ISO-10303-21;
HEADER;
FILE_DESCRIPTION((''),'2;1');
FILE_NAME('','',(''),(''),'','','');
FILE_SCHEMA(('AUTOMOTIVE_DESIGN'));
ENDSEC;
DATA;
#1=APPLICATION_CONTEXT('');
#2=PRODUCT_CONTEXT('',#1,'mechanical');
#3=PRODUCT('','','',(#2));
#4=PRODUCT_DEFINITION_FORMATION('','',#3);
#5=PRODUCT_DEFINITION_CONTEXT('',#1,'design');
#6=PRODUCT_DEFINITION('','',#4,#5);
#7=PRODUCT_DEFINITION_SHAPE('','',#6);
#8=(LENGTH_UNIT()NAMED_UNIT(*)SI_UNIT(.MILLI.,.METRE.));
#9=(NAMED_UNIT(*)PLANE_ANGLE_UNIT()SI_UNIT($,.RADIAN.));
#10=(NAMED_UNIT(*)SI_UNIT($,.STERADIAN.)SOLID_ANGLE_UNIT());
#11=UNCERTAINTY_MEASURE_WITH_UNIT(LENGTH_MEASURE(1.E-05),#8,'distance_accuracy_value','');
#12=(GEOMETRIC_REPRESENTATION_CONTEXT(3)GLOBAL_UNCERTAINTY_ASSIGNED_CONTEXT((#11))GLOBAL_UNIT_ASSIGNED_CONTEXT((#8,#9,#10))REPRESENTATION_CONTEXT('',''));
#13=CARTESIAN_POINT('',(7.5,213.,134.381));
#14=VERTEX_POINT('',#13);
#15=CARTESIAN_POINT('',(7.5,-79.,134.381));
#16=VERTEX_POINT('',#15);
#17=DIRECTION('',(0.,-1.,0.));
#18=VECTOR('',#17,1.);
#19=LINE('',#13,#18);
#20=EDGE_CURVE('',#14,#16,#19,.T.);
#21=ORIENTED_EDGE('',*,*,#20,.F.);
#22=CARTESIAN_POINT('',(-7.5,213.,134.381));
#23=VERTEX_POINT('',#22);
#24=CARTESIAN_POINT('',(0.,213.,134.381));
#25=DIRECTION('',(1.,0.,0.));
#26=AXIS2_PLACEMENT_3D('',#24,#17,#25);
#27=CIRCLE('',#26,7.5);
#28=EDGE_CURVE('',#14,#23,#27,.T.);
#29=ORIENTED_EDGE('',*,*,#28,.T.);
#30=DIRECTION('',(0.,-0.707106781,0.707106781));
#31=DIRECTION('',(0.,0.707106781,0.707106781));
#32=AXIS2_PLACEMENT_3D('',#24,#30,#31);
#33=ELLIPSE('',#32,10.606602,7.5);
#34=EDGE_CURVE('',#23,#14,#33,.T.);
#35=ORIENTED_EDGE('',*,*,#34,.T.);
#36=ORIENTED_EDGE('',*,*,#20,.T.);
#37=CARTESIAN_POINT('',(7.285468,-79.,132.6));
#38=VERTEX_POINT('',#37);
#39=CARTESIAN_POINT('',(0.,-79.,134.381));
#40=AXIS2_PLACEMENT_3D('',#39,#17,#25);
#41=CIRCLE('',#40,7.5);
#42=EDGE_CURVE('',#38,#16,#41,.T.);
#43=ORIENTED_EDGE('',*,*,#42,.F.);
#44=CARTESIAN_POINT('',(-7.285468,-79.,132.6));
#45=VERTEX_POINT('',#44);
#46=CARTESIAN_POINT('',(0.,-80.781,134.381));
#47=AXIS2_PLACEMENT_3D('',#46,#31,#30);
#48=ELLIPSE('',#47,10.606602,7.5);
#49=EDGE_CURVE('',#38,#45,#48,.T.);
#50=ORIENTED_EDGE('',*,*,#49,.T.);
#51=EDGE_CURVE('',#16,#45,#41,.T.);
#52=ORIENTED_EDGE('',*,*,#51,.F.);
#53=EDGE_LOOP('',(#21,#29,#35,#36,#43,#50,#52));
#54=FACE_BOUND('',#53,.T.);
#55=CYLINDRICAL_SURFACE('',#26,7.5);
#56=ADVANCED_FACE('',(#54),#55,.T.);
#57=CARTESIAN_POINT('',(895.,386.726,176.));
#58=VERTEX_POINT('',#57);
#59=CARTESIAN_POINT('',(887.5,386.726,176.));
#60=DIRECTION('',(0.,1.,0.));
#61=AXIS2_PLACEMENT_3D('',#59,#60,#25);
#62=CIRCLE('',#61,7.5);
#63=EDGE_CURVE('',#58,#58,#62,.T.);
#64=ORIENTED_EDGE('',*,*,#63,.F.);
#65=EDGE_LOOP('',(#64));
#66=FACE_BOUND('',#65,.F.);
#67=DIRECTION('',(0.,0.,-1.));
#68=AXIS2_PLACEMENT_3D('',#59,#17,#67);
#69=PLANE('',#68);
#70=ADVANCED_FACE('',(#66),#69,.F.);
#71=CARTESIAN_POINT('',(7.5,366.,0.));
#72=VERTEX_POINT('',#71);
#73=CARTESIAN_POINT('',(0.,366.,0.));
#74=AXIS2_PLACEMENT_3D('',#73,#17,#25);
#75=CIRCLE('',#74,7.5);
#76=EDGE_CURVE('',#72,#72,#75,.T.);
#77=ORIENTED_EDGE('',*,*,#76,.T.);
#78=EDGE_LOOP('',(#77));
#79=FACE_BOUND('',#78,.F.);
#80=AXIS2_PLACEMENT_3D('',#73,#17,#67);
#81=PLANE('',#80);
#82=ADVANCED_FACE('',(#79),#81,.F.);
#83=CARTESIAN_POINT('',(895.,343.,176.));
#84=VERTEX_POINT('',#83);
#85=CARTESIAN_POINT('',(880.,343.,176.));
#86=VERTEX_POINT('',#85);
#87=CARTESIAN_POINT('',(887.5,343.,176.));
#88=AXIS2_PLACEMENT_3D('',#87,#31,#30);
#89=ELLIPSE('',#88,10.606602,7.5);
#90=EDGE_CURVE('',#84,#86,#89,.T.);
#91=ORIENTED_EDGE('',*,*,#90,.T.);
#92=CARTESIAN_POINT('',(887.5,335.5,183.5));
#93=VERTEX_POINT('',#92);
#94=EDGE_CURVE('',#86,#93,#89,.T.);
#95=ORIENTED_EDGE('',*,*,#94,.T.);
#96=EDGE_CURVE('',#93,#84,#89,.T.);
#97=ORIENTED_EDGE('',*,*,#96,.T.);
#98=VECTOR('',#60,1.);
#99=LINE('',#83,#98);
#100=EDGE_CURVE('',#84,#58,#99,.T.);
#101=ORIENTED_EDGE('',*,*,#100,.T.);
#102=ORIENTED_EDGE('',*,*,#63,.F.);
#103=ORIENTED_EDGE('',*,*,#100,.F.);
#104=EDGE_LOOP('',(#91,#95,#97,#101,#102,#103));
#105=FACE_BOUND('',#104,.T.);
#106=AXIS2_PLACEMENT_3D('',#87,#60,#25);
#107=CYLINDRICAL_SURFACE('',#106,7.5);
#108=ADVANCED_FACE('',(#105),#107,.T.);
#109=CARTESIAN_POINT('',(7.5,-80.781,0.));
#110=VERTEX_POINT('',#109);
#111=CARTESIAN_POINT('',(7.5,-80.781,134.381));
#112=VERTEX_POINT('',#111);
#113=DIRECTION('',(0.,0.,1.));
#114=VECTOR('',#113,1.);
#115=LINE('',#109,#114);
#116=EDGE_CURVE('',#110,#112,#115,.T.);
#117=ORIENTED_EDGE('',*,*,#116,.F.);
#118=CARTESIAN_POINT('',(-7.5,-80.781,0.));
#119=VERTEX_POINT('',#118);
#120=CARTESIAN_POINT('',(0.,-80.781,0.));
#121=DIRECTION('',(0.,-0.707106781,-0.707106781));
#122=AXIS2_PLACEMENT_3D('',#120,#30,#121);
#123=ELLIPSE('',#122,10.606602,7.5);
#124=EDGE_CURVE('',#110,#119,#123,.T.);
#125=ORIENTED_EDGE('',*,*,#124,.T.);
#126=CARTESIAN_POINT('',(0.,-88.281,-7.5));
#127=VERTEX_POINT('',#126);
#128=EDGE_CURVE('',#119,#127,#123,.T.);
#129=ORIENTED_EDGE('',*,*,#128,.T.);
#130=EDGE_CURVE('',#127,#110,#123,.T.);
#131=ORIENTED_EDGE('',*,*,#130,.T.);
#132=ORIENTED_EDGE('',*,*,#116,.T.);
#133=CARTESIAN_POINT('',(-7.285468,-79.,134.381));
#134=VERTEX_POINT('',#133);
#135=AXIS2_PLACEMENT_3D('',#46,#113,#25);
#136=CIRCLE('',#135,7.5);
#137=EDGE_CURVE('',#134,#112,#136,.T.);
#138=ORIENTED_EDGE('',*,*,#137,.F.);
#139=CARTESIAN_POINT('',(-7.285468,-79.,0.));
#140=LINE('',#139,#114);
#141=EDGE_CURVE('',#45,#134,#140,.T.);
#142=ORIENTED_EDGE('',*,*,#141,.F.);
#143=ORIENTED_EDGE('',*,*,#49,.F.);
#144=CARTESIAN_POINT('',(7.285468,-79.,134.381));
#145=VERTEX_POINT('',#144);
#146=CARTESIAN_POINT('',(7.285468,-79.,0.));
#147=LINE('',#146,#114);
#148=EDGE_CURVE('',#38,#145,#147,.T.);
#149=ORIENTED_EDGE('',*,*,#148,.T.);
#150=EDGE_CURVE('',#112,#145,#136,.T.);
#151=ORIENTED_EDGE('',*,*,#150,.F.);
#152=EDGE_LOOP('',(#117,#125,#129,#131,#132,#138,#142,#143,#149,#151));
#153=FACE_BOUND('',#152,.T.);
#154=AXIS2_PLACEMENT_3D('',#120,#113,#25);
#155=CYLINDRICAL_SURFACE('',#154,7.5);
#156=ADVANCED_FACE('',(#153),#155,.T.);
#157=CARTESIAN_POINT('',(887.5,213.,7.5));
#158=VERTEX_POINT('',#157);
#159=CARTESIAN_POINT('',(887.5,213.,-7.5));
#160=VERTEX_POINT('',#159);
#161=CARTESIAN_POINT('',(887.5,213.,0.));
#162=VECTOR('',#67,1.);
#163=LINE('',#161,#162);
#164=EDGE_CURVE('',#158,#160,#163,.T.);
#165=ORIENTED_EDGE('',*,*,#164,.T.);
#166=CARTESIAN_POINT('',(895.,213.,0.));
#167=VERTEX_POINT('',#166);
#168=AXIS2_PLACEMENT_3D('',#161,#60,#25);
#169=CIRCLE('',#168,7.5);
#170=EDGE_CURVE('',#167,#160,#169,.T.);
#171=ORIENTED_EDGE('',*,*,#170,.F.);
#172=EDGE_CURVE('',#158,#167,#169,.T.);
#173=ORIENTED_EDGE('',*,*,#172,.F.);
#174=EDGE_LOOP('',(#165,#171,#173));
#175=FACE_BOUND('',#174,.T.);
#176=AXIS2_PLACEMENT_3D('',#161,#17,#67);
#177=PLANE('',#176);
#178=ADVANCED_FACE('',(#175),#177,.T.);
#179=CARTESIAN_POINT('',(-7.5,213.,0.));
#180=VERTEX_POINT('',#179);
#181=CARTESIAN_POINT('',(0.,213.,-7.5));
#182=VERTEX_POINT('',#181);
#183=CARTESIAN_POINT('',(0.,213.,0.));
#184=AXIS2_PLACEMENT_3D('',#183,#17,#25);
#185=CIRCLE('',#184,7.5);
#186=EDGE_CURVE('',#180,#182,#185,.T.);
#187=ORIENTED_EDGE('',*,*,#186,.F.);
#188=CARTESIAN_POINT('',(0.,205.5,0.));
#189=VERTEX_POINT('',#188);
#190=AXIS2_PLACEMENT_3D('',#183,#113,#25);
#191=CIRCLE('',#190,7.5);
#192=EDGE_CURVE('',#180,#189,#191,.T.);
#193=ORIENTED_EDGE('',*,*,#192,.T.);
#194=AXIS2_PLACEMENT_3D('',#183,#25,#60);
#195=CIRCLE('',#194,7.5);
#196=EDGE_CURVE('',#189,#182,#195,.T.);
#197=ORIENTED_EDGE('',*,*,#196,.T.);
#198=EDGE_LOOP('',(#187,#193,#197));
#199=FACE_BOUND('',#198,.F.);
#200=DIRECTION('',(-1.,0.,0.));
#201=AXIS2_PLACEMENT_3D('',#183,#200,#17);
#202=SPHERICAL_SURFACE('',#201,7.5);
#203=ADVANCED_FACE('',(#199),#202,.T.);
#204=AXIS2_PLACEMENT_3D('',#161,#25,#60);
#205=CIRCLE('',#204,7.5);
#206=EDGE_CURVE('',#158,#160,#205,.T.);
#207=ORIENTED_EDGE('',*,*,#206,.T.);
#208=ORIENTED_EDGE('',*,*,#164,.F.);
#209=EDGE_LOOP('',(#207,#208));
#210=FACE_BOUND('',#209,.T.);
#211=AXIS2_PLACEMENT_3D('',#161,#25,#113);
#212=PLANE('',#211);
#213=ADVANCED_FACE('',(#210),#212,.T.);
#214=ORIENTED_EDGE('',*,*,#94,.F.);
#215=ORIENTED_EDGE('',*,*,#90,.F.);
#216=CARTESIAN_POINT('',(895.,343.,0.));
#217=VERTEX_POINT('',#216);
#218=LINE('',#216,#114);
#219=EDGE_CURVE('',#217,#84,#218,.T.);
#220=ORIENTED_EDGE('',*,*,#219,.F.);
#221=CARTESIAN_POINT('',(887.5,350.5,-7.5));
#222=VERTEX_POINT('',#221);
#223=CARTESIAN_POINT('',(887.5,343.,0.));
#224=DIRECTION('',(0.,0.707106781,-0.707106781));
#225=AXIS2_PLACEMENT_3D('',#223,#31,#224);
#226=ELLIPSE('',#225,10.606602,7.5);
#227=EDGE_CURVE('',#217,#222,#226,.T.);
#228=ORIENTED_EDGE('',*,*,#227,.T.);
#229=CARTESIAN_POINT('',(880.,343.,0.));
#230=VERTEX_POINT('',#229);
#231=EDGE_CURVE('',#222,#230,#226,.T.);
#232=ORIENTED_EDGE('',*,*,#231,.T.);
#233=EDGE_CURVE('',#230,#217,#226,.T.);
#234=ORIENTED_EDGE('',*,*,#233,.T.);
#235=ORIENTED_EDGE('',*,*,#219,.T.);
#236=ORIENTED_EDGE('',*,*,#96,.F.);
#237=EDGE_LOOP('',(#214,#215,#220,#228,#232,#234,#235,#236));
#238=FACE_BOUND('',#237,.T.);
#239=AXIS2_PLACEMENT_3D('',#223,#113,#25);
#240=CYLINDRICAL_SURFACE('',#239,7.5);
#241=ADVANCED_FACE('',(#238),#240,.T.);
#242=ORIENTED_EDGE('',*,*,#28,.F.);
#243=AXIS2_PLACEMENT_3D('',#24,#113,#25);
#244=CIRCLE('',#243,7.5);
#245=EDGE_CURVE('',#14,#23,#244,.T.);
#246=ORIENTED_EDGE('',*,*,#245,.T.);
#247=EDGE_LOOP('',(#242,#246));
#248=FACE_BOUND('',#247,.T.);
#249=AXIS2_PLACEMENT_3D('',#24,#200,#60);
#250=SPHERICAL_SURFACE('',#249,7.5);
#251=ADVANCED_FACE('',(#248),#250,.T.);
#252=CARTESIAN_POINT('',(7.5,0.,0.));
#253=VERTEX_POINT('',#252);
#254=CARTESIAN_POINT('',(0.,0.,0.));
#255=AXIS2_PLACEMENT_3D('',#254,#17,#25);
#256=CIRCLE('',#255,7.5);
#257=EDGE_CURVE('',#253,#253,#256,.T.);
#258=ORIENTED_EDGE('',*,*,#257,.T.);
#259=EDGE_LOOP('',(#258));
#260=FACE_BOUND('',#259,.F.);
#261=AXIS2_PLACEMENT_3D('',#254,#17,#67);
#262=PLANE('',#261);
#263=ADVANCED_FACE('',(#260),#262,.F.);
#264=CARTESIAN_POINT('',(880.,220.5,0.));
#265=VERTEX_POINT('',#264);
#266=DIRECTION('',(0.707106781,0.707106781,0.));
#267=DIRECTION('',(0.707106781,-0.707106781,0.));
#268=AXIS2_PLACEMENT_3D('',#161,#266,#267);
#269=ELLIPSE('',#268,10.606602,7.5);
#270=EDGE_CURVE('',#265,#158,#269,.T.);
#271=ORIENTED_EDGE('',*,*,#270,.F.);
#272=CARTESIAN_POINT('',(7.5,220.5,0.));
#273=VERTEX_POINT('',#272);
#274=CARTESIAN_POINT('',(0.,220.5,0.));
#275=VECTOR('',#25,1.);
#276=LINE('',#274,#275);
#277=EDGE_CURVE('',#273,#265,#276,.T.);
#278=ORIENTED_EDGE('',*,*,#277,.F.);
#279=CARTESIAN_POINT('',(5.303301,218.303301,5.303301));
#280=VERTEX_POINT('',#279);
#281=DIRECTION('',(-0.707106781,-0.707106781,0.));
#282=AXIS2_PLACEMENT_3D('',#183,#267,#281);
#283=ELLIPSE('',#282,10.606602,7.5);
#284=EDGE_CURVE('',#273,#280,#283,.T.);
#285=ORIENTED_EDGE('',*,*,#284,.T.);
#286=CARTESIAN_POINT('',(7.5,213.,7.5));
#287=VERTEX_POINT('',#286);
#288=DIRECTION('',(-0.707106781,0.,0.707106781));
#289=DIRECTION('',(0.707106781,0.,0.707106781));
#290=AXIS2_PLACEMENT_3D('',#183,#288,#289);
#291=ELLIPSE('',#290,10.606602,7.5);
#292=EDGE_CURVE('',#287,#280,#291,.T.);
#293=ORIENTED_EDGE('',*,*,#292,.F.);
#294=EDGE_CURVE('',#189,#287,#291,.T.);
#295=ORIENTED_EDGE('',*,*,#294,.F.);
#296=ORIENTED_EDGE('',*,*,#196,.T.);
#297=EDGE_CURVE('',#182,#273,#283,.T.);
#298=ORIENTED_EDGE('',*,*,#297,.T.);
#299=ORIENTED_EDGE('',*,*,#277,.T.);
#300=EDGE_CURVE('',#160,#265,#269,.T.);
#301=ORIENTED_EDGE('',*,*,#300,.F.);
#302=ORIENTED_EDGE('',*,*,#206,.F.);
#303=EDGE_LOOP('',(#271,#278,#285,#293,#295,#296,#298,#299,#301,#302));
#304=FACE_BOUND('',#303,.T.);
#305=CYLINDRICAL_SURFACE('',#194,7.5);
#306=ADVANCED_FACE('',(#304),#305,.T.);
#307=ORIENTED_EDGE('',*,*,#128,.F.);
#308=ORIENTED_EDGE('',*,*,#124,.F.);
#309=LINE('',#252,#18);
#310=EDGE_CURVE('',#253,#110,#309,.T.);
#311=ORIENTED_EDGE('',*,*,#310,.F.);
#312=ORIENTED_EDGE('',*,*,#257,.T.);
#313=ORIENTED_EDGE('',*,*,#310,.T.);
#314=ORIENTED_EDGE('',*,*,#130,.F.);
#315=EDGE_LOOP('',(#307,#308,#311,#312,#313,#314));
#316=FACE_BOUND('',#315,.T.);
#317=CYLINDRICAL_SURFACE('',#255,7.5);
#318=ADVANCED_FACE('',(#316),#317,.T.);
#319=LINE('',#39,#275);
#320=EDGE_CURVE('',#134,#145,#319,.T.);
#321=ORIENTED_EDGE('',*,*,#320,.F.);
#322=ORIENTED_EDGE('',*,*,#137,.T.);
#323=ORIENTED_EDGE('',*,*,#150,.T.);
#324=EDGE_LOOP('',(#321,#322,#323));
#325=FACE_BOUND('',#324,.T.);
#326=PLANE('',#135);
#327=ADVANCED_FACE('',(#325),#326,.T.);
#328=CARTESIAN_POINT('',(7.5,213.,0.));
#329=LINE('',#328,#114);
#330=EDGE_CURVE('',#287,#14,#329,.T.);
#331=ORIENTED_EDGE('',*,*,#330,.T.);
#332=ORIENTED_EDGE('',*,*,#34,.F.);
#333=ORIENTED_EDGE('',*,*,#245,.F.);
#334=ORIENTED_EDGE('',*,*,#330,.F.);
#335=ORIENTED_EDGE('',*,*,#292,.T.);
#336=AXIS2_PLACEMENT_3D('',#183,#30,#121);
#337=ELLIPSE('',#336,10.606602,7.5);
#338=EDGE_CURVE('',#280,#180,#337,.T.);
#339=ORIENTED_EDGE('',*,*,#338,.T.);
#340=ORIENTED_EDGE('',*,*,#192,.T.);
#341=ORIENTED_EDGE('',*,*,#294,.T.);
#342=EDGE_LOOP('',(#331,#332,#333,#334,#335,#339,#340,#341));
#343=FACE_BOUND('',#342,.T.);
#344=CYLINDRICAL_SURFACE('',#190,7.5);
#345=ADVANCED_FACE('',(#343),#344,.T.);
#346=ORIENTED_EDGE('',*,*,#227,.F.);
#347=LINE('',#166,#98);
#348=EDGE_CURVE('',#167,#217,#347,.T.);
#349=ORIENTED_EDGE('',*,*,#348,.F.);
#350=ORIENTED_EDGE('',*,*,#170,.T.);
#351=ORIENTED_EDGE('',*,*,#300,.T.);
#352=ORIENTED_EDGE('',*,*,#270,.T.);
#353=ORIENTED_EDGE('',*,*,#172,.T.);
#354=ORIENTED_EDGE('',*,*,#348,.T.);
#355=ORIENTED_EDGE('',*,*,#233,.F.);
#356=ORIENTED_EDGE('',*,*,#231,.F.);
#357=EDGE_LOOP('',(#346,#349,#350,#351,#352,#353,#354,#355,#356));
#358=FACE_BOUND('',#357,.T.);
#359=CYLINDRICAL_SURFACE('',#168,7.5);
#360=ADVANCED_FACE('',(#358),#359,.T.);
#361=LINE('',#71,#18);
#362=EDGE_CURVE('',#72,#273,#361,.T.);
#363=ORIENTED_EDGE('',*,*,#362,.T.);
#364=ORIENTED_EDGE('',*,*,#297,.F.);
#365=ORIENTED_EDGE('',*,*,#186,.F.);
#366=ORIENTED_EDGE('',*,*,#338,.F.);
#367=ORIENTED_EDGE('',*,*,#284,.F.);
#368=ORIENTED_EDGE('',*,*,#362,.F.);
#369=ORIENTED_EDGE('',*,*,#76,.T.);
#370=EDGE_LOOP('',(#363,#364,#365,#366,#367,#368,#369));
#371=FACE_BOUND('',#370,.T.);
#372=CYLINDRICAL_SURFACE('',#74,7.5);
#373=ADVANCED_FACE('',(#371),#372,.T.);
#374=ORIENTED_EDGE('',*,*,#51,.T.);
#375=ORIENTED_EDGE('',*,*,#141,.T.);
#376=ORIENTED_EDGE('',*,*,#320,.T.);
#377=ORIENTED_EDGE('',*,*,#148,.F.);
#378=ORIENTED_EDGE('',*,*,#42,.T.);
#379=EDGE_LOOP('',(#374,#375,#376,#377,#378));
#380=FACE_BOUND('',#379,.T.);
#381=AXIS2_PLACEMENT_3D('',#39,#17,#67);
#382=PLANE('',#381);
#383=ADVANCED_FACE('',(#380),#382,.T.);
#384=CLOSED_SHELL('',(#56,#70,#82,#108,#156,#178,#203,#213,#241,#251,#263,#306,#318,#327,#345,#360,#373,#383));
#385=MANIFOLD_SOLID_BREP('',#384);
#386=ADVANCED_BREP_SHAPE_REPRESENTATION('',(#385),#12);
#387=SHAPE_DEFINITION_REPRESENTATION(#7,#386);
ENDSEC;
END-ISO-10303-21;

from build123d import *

# Parameters (mm, degrees)
F0_R  = 7.5
F5_R  = 7.5
F7_R  = 7.5
F10_R = 7.5
F15_R = 7.5
F19_R = 7.5


with BuildPart() as f2:
    # F2: sweep along a path in F1
    with BuildLine(Plane.YZ) as f2_path:
        Line((0, 0), (-80.781, 0))
        Line((-80.781, 0), (-80.781, 134.381))
    # F0 (on Front) → F2 (sweep)
    with BuildSketch(Plane.XZ):
        Circle(F0_R)
    sweep(path=f2_path.line, transition=Transition.RIGHT)



with BuildPart() as f6:
    # F6: sweep along a path in F3
    with BuildLine(Plane.XY) as f6_path:
        Line((0, 276.3272254467), (0, 123.3272254467))
    # F5 (on offset) → F6 (sweep)
    with BuildSketch(Plane.XZ.offset(-366)):
        Circle(F5_R)
    sweep(path=f6_path.line)

    # F8: sweep along a path in F1
    with BuildLine(Plane.YZ) as f8_path:
        Line((-80.781, 0), (-80.781, 134.381))
    # F7 (on Top) → F8 (sweep)
    with BuildSketch(Plane.XY):
        with Locations((0, 213)):
            Circle(F7_R)
    sweep(path=f8_path.line)


with BuildPart() as f2_1:
    add(f2.part)

    add(f6.part)  # F12 merges F6
    # F12: sweep along a path in F11
    with BuildLine(Plane.YZ) as f12_path:
        Line((211.219, 134.381), (-80.781, 134.381))
    # F10 (on offset) → F12 (sweep)
    with BuildSketch(Plane.XZ.offset(-213)):
        with Locations((0, 134.381)):
            Circle(F10_R)
    sweep(path=f12_path.line)

    # F8_face (on face) → F13 (revolve)
    with BuildSketch(Plane(origin=(0, 216.1830988618, 134.381), x_dir=(1, 0, 0), z_dir=(0, 0, 1))):
        with BuildLine():
            Line((-7.5, -3.1830988618), (7.5, -3.1830988618))
            ThreePointArc((7.5, -3.1830988618), (0, 4.3169011382), (-7.5, -3.1830988618))
        make_face()
    revolve(axis=Axis((0, 213, 134.381), (-1, 0, 0)))

    # F8_face1 (on face) → F14 (revolve)
    with BuildSketch(Plane(origin=(0, 209.8169011382, 0), x_dir=(1, 0, 0), z_dir=(0, 0, -1))):
        with BuildLine():
            ThreePointArc((7.5, -3.1830988618), (0, 4.3169011382), (-7.5, -3.1830988618))
            Line((-7.5, -3.1830988618), (7.5, -3.1830988618))
        make_face()
    revolve(axis=Axis((0, 213, 0), (1, 0, 0)))

    # F17: sweep along a path in F16
    with BuildLine(Plane.XZ.offset(-213)) as f17_path:
        Line((0, 0), (887.5, 0))
    # F15 (on Right) → F17 (sweep)
    with BuildSketch(Plane.YZ):
        with Locations((213, 0)):
            Circle(F15_R)
    sweep(path=f17_path.line)

    # F20: sweep along a path in F18
    with BuildLine(Plane.YZ) as f20_path:
        Line((213, 0), (343, 0))
        Line((343, 0), (343, 176))
        Line((343, 176), (386.726, 176))
    # F19 (on offset) → F20 (sweep)
    with BuildSketch(Plane.XZ.offset(-213)):
        with Locations((887.5, 0)):
            Circle(F19_R)
    sweep(path=f20_path.line, transition=Transition.RIGHT)


solid = f2_1.part
